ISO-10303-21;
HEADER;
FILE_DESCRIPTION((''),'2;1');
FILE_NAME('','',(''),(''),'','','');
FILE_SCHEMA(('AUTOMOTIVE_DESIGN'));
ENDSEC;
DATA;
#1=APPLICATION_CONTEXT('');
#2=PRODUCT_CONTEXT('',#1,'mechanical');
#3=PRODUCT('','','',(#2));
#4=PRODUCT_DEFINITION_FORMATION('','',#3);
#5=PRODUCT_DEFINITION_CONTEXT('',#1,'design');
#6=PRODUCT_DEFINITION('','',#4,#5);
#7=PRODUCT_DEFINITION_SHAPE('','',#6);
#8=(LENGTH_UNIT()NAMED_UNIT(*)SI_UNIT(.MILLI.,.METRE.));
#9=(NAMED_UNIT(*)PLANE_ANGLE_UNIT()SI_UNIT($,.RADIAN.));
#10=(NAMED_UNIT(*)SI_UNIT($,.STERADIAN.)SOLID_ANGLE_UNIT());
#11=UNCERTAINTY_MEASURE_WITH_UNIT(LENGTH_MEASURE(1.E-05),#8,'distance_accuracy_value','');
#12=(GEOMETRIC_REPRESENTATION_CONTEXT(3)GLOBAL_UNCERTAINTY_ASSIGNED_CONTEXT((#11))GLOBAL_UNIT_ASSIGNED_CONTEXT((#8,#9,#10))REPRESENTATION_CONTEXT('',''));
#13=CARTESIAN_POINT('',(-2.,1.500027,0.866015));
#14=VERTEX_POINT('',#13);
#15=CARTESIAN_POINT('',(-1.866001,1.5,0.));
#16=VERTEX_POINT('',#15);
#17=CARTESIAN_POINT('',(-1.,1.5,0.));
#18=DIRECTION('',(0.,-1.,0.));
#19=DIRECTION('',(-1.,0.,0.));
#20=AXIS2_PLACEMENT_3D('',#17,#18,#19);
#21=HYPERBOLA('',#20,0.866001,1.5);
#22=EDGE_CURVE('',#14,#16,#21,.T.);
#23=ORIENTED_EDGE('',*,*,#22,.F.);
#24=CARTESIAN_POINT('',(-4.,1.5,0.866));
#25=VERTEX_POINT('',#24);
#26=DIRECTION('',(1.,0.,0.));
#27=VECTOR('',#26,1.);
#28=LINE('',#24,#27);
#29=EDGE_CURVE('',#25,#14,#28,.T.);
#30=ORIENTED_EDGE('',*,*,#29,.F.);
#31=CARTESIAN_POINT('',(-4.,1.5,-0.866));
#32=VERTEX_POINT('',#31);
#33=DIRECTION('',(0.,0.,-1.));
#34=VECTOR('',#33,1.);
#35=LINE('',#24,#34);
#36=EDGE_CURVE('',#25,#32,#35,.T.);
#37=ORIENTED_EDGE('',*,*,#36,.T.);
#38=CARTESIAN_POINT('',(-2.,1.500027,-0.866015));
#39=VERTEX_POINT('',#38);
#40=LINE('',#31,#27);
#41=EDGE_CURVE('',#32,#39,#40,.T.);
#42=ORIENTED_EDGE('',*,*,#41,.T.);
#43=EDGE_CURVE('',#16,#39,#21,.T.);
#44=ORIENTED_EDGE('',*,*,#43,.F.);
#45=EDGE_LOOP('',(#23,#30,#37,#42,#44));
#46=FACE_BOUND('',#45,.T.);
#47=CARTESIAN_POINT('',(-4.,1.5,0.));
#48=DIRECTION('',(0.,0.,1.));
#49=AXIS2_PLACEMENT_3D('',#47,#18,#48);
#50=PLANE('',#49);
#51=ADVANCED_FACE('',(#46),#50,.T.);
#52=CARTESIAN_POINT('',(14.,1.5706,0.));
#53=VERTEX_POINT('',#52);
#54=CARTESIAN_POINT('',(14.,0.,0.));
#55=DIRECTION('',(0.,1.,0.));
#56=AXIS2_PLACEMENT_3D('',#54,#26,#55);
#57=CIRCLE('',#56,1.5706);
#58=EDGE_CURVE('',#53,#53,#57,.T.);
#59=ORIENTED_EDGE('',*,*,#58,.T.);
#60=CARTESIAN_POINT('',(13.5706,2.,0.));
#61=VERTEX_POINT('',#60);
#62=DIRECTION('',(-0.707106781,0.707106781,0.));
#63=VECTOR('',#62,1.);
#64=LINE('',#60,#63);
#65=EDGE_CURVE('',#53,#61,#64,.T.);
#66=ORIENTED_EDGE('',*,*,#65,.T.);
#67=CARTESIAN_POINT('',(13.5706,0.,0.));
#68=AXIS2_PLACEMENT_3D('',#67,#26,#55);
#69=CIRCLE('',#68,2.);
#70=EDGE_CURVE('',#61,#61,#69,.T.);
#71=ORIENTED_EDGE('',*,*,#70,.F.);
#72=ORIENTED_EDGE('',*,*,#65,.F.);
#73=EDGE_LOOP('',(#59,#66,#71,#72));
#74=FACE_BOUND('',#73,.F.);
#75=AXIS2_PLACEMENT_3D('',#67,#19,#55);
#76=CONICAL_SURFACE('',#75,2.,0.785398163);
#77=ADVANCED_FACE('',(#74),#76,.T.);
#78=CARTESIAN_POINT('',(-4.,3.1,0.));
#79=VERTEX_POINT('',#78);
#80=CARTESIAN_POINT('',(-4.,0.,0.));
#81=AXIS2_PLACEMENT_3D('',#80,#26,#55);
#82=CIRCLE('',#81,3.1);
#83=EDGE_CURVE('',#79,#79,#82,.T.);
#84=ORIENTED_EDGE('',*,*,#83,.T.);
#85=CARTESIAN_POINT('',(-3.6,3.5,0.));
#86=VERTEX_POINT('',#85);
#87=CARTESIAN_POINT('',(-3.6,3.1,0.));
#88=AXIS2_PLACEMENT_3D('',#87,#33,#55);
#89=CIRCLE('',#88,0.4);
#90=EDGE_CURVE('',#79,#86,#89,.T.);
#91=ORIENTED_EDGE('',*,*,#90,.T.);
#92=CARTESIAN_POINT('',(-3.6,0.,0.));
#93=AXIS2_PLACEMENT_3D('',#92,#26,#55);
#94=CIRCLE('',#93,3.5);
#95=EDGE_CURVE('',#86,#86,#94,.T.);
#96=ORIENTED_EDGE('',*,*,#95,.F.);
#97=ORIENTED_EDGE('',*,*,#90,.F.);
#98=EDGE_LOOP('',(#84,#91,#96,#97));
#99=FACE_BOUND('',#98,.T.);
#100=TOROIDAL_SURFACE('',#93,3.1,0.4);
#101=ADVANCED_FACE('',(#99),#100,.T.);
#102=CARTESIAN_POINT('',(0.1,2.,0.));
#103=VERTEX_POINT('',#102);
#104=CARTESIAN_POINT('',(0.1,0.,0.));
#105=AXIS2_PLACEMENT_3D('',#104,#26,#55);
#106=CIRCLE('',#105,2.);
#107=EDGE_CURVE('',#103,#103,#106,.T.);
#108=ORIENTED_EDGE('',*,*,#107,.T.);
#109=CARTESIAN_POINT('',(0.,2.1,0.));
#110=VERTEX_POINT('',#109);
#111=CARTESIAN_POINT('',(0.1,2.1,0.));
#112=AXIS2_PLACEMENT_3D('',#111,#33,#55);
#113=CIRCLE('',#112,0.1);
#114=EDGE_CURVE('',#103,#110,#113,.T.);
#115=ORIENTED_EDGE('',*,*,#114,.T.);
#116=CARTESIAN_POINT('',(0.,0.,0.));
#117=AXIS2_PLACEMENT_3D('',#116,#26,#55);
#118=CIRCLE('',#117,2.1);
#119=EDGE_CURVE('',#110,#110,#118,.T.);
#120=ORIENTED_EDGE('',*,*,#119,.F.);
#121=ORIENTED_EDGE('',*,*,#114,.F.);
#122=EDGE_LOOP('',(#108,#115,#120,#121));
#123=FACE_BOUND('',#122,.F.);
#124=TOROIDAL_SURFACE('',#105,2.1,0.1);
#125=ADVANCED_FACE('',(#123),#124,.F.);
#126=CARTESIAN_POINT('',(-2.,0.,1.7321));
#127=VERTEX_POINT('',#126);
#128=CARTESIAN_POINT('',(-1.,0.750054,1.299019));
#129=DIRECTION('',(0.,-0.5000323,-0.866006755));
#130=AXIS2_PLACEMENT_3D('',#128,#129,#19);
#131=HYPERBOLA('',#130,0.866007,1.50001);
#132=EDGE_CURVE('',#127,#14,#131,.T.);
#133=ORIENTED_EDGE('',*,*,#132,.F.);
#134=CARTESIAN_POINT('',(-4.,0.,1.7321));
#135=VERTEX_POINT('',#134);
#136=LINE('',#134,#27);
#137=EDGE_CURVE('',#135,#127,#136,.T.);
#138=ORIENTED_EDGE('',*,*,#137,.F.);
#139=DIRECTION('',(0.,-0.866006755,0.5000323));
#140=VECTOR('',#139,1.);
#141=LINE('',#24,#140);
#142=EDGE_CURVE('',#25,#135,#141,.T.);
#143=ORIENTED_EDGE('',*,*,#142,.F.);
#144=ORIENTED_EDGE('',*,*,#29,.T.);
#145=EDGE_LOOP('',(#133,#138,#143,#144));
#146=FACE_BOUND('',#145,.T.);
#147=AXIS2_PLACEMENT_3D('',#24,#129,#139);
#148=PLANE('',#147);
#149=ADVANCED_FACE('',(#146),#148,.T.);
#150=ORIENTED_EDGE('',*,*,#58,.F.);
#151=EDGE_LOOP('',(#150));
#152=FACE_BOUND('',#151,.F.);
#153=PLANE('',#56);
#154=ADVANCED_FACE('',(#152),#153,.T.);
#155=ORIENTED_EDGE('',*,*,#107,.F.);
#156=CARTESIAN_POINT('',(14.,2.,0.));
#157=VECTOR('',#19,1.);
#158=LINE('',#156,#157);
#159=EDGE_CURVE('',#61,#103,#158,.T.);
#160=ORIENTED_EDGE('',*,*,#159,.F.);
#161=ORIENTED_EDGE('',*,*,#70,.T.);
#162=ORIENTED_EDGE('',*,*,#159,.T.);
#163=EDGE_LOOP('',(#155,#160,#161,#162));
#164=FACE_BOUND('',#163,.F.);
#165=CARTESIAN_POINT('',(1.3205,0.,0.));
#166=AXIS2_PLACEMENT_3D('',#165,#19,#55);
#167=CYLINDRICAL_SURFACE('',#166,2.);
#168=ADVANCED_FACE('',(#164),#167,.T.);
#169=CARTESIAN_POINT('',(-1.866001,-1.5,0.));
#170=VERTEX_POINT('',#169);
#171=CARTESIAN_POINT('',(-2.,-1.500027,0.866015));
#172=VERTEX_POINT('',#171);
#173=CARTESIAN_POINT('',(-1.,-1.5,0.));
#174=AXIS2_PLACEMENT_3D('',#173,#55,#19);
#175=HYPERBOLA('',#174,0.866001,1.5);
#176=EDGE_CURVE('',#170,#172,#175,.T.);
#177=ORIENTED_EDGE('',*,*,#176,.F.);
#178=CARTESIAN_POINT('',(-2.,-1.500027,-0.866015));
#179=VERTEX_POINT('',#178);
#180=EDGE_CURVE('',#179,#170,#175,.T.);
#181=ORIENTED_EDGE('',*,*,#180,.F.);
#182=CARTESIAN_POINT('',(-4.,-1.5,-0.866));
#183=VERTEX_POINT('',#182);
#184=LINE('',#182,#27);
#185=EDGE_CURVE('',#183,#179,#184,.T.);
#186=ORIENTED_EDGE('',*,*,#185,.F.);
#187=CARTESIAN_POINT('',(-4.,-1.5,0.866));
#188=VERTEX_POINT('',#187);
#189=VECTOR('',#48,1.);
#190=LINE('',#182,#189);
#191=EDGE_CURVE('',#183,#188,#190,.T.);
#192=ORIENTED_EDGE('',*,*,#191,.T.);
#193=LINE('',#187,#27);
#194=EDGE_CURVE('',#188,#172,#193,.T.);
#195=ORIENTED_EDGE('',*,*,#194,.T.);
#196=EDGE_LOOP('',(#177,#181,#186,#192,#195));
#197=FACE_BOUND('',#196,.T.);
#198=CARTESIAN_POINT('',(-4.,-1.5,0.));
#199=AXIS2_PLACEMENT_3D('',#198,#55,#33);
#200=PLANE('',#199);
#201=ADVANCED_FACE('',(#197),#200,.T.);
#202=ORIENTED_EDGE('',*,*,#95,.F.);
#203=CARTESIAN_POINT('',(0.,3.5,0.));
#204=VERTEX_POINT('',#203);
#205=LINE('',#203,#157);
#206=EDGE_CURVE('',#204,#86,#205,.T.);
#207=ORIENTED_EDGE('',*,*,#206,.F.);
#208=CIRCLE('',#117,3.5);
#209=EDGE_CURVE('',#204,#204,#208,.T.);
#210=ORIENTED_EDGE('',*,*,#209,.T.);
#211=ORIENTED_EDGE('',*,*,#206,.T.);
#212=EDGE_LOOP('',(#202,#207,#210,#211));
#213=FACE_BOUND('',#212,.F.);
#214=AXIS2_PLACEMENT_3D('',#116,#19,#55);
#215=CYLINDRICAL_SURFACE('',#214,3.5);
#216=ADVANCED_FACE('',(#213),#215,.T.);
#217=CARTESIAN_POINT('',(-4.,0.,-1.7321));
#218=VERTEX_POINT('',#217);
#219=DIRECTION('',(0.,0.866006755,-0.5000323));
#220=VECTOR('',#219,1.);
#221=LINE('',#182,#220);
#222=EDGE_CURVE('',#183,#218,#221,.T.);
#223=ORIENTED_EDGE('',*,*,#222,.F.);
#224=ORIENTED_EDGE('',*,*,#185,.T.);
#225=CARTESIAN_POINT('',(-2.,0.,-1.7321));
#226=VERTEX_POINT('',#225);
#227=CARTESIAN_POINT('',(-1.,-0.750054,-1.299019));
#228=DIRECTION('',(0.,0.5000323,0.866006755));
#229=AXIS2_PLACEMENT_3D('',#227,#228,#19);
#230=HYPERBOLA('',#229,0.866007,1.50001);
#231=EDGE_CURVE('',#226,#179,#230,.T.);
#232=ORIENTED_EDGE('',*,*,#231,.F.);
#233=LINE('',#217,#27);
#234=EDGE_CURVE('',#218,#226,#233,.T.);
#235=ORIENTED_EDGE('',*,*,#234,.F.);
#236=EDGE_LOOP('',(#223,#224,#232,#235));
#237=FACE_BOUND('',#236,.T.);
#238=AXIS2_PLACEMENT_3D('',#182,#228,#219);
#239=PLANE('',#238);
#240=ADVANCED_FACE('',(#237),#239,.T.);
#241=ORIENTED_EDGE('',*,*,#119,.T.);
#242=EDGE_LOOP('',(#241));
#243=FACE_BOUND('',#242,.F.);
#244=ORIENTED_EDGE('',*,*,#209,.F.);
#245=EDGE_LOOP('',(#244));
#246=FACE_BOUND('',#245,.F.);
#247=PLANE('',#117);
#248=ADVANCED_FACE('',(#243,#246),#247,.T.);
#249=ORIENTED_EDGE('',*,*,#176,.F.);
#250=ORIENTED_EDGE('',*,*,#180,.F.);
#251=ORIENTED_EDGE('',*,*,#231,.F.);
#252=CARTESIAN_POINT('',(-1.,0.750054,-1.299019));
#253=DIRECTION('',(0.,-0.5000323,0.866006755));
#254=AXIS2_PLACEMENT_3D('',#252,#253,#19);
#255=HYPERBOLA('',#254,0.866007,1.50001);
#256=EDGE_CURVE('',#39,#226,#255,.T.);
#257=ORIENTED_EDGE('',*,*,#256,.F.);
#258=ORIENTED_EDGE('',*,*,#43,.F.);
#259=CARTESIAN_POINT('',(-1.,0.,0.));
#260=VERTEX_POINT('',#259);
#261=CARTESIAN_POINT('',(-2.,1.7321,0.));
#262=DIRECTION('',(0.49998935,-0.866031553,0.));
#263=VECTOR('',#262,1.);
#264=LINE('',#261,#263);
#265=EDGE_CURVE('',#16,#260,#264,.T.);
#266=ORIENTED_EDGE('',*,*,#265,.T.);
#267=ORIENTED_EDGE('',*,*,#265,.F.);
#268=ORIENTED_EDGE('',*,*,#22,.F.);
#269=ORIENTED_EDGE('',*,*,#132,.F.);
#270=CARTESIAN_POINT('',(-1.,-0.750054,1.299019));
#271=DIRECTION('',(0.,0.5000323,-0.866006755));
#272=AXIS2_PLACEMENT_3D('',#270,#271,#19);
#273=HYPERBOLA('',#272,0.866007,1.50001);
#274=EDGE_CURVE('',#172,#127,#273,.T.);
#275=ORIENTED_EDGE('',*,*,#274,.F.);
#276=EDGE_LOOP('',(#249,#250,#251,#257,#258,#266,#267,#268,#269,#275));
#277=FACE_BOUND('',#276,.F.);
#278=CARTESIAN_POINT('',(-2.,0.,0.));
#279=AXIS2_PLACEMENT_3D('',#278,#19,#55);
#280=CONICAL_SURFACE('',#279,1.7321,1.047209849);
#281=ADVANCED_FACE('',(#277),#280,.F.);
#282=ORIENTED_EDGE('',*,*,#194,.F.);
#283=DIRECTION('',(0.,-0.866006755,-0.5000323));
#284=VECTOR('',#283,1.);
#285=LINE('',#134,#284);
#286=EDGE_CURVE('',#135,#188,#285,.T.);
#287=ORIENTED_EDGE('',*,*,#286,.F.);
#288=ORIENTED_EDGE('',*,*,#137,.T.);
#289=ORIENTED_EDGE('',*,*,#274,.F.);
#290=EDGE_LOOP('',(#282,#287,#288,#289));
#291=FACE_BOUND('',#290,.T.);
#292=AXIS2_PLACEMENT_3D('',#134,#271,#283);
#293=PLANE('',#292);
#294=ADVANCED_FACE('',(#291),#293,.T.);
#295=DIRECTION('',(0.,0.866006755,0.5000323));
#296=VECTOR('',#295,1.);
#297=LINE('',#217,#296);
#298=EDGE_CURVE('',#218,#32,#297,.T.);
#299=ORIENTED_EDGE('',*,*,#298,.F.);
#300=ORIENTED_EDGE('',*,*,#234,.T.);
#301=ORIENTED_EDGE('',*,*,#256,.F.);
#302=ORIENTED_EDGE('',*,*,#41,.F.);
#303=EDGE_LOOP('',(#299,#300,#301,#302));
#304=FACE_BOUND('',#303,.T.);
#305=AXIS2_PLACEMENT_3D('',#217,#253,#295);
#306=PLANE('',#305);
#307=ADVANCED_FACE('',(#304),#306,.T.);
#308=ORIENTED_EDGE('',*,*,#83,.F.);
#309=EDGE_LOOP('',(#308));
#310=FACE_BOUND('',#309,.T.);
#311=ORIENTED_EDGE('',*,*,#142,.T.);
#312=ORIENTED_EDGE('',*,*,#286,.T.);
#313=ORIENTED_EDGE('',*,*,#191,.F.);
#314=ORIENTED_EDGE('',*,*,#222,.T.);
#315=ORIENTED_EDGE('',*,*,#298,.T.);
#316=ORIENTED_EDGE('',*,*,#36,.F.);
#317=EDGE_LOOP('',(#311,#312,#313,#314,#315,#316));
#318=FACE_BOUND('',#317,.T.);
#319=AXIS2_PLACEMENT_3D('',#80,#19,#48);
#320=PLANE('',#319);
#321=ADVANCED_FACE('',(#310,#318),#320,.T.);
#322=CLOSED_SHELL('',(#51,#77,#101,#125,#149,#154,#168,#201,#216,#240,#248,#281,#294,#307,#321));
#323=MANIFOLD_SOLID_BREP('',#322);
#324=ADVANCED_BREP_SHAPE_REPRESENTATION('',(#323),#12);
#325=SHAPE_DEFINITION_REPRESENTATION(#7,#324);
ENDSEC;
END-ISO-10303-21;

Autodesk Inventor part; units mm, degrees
ref_plane "YZ Plane" through (0, 0, 0) normal (1, 0, 0) x (0, 1, 0)
ref_plane "XZ Plane" through (0, 0, 0) normal (0, 1, 0) x (-1, 0, 0)
sketch "Sketch1" plane through (0, 0, 0) normal (0, 0, 1) x (1, 0, 0)
  line L0 (-1, 0) -> (14, 0)
  line L1 (14, 0) -> (14, 2)
  line L2 (14, 2) -> (1.75, 2)
  line L3 (1.75, 2) -> (1.3205, 2)
  line L4 (1.3205, 2) -> (0, 2)
  line L5 (0, 2) -> (0, 3.5)
  line L6 (0, 3.5) -> (-4, 3.5)
  line L7 (-4, 3.5) -> (-4, 1.7321)
  line L8 (-4, 1.7321) -> (-2, 1.7321)
  line L9 (-2, 1.7321) -> (-1, 0)
  line L10 (-7.6, 0) -> (17.6, 0) projected
  line L11 (0, -0.7) -> (0, 4.2) projected
  line L12 (1.75, 2) -> (0, 2) construction
  dimension "d1" = 12.25
  dimension "d2" = 0.4295
  dimension "d3" = 4
  dimension "d4" = 2
  dimension "d5" = 60
  dimension "d6" = 4
  dimension "d7" = 4
  dimension "d8" = 3.4641
  dimension "d9" = 7
  dimension "d26" = 14
revolve "Body" add sketch "Sketch1" angle 360 about axis through (-1, 0, 0) along (1, 0, 0)
sketch "Sketch2" plane through (-4, 0, 0) normal (-1, 0, 0) x (0, 0, 1)
  circle A0 centre (0, 0) radius 1.7321 projected
  line L0 (0, -4.9) -> (0, 4.9) projected
  line L1 (-4.9, 0) -> (4.9, 0) projected
  line L2 (1.7321, 0) -> (0.866, -1.5)
  line L3 (0.866, -1.5) -> (-0.866, -1.5)
  line L4 (-0.866, -1.5) -> (-1.7321, 0)
  line L5 (-1.7321, 0) -> (-0.866, 1.5)
  line L6 (-0.866, 1.5) -> (0.866, 1.5)
  line L7 (0.866, 1.5) -> (1.7321, 0)
extrude "Slot" add sketch "Sketch2" against normal up to next contours L7 A0 | A0 L2 | L6 L0 A0 | A0 L0 L3 | L0 L6 A0 | A0 L3 L0 | L4 A0 | A0 L5
fillet "Fillet1" radius 0.4 1 edges at (-4, -3.5, 0)
thread "Thread" size "M4x0.7" class "6g" standard "ISO Metric profile" length 12.25
chamfer "Chamfer1" distance 0.4294 distance2 0.4294 1 edges at (14, -2, 0) measured on face at (14, 0.527, -0.2661)
ref_plane "Work Plane1" through (29, 0, 0) normal (0, -1, 0) x (1, 0, 0)
fillet "Fillet2" radius 0.1 1 edges at (0, -2, 0)
equation "\"d1\" = GEL"
equation "\"d3\" = KOH"
equation "\"d4\" = INTI"
equation "\"d6\" = GD"
equation "\"d7\" = BDM"
equation "\"d8\" = 1.1547 * SW"
equation "\"d9\" = KOD"
equation "\"d26\" = NLG"
equation "\"d30\" = R"
equation "\"d17\" = RR"
equation "\"d13\" = GEL"
equation "\"d15\" = -0.5 * SPD + 0.5 * GD"
equation "\"d16\" = GUL"
equation "\"GD\" = NND"
equation "\"NLG\" = 14"
equation "\"GEL\" = 12.25"
equation "\"KOD\" = 7"
equation "\"KOH\" = NND"
equation "\"INTI\" = 2"
equation "\"GAL\" = 0.61345 * PTC"
equation "\"GUL\" = 0.61345 * PTC"
equation "\"BDM\" = NND"
equation "\"SW\" = 3"
equation "\"RR\" = 0.1 * NND"
equation "\"SPD\" = NND - 1.2269 * PTC"
equation "\"R\" = 0.1"
equation "\"PHH\" = 0.13"
equation "\"GD1\" = THREADDIA - 1.2269 * PTC"
equation "\"THREADDIA\" = 4"
equation "\"FAWI\" = 45deg"
equation "\"PTC\" = 0.7"
equation "\"KOH1\" = 3.6"
equation "\"NND\" = 4"
equation "\"TOA\" = 30deg"
equation "\"E0\" = 1.155 * SW"
properties part number "AS 1420 - 1973 - M4 x 14" material "Steel, Mild"
